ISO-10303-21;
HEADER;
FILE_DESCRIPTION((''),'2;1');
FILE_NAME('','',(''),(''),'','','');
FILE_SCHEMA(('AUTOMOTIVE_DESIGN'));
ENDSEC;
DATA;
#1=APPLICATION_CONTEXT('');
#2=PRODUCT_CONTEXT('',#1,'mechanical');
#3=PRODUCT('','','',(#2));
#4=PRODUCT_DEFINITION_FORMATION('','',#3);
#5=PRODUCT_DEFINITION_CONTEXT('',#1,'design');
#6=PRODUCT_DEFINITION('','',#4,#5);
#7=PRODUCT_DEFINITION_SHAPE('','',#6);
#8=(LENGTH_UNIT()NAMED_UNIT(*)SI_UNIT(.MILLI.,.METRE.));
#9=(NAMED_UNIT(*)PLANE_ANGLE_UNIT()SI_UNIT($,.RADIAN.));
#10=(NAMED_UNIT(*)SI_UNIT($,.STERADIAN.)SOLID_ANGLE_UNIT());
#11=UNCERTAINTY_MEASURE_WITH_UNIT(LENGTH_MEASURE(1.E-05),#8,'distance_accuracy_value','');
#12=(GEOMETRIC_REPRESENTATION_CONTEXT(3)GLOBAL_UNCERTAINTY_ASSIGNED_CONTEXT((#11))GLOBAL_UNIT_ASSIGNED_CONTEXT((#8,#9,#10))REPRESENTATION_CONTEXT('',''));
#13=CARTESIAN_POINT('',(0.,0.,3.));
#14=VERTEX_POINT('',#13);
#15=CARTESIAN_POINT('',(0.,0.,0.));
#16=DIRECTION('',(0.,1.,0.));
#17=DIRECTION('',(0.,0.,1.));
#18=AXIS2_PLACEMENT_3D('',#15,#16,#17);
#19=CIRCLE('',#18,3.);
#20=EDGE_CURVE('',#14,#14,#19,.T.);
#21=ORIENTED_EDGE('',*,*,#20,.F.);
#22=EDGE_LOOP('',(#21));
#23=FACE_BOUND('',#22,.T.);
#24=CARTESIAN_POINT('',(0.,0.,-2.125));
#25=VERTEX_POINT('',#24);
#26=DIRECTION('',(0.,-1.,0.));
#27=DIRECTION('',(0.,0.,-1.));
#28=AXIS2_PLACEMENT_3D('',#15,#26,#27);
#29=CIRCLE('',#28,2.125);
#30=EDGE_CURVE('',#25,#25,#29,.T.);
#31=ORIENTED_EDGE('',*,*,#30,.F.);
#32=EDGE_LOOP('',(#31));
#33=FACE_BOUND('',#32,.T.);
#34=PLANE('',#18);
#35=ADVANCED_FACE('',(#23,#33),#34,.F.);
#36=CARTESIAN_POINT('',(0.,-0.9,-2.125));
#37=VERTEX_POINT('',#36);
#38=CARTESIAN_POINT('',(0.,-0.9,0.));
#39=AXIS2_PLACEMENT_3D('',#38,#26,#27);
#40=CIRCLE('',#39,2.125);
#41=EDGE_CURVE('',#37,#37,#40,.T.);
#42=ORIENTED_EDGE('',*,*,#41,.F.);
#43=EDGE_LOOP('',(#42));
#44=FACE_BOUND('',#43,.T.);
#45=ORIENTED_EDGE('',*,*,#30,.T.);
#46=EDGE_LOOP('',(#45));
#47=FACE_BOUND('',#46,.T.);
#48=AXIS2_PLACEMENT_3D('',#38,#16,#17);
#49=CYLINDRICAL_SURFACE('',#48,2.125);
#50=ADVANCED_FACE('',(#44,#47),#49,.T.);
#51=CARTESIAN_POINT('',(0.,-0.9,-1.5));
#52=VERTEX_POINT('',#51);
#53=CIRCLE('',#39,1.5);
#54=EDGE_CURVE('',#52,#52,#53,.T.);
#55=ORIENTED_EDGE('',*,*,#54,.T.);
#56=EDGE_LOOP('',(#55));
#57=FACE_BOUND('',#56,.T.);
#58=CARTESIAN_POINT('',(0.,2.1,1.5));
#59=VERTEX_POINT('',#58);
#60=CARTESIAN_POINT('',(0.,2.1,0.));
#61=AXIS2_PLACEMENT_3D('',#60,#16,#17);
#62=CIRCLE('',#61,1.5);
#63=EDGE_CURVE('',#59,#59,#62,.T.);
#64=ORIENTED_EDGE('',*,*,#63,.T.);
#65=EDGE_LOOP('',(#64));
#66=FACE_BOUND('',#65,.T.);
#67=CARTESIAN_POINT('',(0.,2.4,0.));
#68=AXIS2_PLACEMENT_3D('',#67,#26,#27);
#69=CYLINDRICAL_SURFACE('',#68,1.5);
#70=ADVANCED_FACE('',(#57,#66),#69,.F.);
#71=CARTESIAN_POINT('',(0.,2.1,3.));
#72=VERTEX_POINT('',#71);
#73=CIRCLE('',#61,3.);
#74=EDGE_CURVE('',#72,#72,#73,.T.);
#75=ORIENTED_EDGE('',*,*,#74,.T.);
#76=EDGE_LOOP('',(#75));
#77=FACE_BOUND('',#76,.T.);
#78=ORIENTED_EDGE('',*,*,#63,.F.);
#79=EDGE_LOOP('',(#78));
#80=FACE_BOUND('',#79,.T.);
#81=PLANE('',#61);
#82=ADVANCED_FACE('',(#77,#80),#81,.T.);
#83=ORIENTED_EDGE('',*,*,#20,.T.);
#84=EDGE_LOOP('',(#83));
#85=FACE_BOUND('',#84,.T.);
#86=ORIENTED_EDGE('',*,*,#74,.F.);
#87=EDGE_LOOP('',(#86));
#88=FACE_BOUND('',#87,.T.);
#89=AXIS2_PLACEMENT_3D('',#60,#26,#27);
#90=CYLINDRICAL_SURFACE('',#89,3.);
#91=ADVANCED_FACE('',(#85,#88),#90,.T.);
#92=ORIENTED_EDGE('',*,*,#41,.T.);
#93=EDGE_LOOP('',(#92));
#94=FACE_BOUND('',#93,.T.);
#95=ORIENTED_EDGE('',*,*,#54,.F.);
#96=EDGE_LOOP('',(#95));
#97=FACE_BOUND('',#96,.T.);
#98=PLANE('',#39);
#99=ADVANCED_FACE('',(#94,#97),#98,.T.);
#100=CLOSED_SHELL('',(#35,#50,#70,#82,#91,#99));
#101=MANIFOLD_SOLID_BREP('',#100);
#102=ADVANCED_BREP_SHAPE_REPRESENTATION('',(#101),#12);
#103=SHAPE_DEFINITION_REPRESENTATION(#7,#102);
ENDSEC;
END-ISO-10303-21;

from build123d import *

# Parameters (mm, degrees)
SKETCH_1_R          = 3
EXTRUDE_1_DEPTH     = 2.1
SKETCH_3_R          = 2.125
EXTRUDE_2_DEPTH     = 0.9
SKETCH_4_R          = 1.5
CUT_EXTRUDE_1_DEPTH = 3.3


with BuildPart() as part:
    # ｽｹｯﾁ1 → ﾎﾞｽ - 押し出し1 (new body)
    with BuildSketch(Plane(origin=(0, 0, 0), x_dir=(1, 0, 0), z_dir=(0, 1, 0))):
        Circle(SKETCH_1_R)
    extrude(amount=EXTRUDE_1_DEPTH)

    # ｽｹｯﾁ3 → ﾎﾞｽ - 押し出し2 (add)
    with BuildSketch(Plane(origin=(0, 0, 0), x_dir=(-1, 0, 0), z_dir=(0, -1, 0))):
        Circle(SKETCH_3_R)
    extrude(amount=EXTRUDE_2_DEPTH)

    # ｽｹｯﾁ4 → ｶｯﾄ - 押し出し1 (cut)
    with BuildSketch(Plane(origin=(0, -0.9, 0), x_dir=(-1, 0, 0), z_dir=(0, -1, 0))):
        Circle(SKETCH_4_R)
    extrude(amount=-CUT_EXTRUDE_1_DEPTH, mode=Mode.SUBTRACT)


solid = part.part
